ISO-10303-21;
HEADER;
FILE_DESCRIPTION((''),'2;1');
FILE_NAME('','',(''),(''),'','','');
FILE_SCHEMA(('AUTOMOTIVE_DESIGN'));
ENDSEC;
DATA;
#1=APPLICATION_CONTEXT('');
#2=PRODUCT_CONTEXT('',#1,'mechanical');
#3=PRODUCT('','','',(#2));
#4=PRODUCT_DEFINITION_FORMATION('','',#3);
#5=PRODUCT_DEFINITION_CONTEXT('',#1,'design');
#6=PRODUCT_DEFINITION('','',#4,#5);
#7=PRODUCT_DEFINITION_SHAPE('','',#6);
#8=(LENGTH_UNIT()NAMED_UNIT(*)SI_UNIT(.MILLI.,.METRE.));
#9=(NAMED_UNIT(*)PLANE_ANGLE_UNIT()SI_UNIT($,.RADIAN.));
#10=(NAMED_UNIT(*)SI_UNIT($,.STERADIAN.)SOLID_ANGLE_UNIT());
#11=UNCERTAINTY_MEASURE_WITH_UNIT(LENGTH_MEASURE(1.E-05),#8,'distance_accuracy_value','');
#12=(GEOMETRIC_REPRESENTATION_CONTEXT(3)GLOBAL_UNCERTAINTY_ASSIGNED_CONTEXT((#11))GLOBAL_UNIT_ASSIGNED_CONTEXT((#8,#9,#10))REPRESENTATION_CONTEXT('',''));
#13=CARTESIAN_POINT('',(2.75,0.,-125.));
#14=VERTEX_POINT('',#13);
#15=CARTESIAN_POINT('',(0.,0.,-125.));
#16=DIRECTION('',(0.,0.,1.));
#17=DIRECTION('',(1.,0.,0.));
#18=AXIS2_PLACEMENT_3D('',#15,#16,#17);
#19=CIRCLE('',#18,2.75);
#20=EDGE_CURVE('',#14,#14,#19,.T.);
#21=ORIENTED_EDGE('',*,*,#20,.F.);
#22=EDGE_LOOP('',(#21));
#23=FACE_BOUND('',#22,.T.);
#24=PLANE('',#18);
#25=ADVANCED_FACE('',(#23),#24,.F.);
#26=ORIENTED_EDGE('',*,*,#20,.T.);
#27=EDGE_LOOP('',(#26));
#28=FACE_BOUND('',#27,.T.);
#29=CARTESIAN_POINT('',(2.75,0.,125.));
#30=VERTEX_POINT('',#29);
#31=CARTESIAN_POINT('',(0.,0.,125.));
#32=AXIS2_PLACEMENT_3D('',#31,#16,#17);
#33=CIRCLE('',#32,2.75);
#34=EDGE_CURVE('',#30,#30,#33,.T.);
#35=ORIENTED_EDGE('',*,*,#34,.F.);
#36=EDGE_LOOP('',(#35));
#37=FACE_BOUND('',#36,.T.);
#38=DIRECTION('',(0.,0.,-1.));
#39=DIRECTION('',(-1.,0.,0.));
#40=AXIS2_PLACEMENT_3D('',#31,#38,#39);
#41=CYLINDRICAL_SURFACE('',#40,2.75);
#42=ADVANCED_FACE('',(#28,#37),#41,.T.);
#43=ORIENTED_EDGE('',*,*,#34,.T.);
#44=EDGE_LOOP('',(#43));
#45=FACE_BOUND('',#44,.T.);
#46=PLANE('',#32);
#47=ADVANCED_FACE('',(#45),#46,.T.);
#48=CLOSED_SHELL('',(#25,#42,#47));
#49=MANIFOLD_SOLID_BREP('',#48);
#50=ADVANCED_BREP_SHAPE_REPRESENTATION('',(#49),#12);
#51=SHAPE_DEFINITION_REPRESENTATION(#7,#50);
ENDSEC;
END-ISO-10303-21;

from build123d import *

# Parameters (mm, degrees)
CROQUIS1_R              = 2.75
SALIENTE_EXTRUIR1_DEPTH = 125


with BuildPart() as part:
    # Croquis1 → Saliente-Extruir1 (new, symmetric)
    with BuildSketch(Plane.XY):
        Circle(CROQUIS1_R)
    extrude(amount=SALIENTE_EXTRUIR1_DEPTH, both=True)


solid = part.part
